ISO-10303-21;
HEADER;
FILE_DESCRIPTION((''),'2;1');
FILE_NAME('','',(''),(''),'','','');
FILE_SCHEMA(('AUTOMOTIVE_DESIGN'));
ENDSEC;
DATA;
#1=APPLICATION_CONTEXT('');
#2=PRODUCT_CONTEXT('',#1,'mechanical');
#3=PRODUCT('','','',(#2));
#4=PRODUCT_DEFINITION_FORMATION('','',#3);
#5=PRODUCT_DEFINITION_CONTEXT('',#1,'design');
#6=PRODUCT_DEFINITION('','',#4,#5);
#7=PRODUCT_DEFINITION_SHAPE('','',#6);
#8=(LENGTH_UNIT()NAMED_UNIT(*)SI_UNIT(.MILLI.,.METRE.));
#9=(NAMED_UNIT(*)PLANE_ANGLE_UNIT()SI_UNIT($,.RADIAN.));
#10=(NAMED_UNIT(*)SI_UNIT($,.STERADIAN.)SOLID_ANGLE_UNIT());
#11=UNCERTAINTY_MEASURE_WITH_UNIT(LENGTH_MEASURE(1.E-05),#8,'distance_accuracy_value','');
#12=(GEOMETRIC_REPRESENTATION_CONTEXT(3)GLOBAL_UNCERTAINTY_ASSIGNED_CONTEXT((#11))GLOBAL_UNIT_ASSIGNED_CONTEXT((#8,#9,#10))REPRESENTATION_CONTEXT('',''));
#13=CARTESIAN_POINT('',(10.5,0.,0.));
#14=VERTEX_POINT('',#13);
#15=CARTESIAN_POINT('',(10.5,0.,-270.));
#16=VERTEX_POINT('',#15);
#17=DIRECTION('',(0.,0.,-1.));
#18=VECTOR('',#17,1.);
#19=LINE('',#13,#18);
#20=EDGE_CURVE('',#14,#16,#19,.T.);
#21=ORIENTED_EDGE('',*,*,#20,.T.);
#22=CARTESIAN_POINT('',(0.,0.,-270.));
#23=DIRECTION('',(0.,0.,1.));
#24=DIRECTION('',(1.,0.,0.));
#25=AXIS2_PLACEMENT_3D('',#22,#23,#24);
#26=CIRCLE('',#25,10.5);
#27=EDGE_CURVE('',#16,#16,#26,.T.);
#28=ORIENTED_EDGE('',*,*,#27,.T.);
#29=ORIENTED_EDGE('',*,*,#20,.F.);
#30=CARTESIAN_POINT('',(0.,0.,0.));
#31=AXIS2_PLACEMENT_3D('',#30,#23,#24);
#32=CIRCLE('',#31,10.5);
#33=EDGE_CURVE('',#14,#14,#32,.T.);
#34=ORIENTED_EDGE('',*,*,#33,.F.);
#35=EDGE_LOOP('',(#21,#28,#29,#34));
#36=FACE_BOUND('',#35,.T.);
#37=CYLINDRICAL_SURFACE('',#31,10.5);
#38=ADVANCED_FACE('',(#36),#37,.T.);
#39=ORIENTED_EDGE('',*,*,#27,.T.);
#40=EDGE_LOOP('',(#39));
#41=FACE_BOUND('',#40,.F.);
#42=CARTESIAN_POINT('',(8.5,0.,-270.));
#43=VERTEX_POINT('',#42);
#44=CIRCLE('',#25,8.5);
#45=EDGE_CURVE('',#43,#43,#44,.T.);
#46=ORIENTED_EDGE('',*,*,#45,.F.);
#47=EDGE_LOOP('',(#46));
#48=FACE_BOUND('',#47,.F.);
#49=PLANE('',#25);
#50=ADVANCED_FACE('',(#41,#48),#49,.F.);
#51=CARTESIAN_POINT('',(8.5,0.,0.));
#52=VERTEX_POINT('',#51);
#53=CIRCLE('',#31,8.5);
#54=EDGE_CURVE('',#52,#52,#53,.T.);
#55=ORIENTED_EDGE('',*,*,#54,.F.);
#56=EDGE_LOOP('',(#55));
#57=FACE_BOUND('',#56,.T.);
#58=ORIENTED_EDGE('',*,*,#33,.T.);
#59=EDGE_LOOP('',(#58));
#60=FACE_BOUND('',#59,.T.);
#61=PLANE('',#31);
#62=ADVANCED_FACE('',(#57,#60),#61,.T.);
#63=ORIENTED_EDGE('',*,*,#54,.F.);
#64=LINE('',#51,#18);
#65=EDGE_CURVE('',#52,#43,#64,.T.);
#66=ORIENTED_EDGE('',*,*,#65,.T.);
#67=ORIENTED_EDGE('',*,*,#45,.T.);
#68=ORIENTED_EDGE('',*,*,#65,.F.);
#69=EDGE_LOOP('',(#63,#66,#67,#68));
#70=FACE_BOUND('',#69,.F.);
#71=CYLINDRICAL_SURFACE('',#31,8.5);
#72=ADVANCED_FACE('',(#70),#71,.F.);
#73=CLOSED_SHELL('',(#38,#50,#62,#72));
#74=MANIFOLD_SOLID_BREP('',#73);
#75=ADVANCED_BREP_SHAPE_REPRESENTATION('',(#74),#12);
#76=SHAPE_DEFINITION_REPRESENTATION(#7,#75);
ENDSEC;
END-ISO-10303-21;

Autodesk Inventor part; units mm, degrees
ref_plane "YZ Plane" through (0, 0, 0) normal (1, 0, 0) x (0, 1, 0)
ref_plane "XZ Plane" through (0, 0, 0) normal (0, 1, 0) x (-1, 0, 0)
ref_plane "XY Plane" through (0, 0, 0) normal (0, 0, 1) x (1, 0, 0)
sketch "Sketch11" plane through (0, 0, 0) normal (0, 0, 1) x (1, 0, 0)
  circle A0 centre (0, 0) radius 10.5
  circle A1 centre (0, 0) radius 8.5
  dimension "d187" = 21
  dimension "d188" = 2
extrude "Extrusion5" add sketch "Sketch11" against normal blind 270
properties part number "ANP 1445 FDS thread  tube5" material "Stainless Steel"
